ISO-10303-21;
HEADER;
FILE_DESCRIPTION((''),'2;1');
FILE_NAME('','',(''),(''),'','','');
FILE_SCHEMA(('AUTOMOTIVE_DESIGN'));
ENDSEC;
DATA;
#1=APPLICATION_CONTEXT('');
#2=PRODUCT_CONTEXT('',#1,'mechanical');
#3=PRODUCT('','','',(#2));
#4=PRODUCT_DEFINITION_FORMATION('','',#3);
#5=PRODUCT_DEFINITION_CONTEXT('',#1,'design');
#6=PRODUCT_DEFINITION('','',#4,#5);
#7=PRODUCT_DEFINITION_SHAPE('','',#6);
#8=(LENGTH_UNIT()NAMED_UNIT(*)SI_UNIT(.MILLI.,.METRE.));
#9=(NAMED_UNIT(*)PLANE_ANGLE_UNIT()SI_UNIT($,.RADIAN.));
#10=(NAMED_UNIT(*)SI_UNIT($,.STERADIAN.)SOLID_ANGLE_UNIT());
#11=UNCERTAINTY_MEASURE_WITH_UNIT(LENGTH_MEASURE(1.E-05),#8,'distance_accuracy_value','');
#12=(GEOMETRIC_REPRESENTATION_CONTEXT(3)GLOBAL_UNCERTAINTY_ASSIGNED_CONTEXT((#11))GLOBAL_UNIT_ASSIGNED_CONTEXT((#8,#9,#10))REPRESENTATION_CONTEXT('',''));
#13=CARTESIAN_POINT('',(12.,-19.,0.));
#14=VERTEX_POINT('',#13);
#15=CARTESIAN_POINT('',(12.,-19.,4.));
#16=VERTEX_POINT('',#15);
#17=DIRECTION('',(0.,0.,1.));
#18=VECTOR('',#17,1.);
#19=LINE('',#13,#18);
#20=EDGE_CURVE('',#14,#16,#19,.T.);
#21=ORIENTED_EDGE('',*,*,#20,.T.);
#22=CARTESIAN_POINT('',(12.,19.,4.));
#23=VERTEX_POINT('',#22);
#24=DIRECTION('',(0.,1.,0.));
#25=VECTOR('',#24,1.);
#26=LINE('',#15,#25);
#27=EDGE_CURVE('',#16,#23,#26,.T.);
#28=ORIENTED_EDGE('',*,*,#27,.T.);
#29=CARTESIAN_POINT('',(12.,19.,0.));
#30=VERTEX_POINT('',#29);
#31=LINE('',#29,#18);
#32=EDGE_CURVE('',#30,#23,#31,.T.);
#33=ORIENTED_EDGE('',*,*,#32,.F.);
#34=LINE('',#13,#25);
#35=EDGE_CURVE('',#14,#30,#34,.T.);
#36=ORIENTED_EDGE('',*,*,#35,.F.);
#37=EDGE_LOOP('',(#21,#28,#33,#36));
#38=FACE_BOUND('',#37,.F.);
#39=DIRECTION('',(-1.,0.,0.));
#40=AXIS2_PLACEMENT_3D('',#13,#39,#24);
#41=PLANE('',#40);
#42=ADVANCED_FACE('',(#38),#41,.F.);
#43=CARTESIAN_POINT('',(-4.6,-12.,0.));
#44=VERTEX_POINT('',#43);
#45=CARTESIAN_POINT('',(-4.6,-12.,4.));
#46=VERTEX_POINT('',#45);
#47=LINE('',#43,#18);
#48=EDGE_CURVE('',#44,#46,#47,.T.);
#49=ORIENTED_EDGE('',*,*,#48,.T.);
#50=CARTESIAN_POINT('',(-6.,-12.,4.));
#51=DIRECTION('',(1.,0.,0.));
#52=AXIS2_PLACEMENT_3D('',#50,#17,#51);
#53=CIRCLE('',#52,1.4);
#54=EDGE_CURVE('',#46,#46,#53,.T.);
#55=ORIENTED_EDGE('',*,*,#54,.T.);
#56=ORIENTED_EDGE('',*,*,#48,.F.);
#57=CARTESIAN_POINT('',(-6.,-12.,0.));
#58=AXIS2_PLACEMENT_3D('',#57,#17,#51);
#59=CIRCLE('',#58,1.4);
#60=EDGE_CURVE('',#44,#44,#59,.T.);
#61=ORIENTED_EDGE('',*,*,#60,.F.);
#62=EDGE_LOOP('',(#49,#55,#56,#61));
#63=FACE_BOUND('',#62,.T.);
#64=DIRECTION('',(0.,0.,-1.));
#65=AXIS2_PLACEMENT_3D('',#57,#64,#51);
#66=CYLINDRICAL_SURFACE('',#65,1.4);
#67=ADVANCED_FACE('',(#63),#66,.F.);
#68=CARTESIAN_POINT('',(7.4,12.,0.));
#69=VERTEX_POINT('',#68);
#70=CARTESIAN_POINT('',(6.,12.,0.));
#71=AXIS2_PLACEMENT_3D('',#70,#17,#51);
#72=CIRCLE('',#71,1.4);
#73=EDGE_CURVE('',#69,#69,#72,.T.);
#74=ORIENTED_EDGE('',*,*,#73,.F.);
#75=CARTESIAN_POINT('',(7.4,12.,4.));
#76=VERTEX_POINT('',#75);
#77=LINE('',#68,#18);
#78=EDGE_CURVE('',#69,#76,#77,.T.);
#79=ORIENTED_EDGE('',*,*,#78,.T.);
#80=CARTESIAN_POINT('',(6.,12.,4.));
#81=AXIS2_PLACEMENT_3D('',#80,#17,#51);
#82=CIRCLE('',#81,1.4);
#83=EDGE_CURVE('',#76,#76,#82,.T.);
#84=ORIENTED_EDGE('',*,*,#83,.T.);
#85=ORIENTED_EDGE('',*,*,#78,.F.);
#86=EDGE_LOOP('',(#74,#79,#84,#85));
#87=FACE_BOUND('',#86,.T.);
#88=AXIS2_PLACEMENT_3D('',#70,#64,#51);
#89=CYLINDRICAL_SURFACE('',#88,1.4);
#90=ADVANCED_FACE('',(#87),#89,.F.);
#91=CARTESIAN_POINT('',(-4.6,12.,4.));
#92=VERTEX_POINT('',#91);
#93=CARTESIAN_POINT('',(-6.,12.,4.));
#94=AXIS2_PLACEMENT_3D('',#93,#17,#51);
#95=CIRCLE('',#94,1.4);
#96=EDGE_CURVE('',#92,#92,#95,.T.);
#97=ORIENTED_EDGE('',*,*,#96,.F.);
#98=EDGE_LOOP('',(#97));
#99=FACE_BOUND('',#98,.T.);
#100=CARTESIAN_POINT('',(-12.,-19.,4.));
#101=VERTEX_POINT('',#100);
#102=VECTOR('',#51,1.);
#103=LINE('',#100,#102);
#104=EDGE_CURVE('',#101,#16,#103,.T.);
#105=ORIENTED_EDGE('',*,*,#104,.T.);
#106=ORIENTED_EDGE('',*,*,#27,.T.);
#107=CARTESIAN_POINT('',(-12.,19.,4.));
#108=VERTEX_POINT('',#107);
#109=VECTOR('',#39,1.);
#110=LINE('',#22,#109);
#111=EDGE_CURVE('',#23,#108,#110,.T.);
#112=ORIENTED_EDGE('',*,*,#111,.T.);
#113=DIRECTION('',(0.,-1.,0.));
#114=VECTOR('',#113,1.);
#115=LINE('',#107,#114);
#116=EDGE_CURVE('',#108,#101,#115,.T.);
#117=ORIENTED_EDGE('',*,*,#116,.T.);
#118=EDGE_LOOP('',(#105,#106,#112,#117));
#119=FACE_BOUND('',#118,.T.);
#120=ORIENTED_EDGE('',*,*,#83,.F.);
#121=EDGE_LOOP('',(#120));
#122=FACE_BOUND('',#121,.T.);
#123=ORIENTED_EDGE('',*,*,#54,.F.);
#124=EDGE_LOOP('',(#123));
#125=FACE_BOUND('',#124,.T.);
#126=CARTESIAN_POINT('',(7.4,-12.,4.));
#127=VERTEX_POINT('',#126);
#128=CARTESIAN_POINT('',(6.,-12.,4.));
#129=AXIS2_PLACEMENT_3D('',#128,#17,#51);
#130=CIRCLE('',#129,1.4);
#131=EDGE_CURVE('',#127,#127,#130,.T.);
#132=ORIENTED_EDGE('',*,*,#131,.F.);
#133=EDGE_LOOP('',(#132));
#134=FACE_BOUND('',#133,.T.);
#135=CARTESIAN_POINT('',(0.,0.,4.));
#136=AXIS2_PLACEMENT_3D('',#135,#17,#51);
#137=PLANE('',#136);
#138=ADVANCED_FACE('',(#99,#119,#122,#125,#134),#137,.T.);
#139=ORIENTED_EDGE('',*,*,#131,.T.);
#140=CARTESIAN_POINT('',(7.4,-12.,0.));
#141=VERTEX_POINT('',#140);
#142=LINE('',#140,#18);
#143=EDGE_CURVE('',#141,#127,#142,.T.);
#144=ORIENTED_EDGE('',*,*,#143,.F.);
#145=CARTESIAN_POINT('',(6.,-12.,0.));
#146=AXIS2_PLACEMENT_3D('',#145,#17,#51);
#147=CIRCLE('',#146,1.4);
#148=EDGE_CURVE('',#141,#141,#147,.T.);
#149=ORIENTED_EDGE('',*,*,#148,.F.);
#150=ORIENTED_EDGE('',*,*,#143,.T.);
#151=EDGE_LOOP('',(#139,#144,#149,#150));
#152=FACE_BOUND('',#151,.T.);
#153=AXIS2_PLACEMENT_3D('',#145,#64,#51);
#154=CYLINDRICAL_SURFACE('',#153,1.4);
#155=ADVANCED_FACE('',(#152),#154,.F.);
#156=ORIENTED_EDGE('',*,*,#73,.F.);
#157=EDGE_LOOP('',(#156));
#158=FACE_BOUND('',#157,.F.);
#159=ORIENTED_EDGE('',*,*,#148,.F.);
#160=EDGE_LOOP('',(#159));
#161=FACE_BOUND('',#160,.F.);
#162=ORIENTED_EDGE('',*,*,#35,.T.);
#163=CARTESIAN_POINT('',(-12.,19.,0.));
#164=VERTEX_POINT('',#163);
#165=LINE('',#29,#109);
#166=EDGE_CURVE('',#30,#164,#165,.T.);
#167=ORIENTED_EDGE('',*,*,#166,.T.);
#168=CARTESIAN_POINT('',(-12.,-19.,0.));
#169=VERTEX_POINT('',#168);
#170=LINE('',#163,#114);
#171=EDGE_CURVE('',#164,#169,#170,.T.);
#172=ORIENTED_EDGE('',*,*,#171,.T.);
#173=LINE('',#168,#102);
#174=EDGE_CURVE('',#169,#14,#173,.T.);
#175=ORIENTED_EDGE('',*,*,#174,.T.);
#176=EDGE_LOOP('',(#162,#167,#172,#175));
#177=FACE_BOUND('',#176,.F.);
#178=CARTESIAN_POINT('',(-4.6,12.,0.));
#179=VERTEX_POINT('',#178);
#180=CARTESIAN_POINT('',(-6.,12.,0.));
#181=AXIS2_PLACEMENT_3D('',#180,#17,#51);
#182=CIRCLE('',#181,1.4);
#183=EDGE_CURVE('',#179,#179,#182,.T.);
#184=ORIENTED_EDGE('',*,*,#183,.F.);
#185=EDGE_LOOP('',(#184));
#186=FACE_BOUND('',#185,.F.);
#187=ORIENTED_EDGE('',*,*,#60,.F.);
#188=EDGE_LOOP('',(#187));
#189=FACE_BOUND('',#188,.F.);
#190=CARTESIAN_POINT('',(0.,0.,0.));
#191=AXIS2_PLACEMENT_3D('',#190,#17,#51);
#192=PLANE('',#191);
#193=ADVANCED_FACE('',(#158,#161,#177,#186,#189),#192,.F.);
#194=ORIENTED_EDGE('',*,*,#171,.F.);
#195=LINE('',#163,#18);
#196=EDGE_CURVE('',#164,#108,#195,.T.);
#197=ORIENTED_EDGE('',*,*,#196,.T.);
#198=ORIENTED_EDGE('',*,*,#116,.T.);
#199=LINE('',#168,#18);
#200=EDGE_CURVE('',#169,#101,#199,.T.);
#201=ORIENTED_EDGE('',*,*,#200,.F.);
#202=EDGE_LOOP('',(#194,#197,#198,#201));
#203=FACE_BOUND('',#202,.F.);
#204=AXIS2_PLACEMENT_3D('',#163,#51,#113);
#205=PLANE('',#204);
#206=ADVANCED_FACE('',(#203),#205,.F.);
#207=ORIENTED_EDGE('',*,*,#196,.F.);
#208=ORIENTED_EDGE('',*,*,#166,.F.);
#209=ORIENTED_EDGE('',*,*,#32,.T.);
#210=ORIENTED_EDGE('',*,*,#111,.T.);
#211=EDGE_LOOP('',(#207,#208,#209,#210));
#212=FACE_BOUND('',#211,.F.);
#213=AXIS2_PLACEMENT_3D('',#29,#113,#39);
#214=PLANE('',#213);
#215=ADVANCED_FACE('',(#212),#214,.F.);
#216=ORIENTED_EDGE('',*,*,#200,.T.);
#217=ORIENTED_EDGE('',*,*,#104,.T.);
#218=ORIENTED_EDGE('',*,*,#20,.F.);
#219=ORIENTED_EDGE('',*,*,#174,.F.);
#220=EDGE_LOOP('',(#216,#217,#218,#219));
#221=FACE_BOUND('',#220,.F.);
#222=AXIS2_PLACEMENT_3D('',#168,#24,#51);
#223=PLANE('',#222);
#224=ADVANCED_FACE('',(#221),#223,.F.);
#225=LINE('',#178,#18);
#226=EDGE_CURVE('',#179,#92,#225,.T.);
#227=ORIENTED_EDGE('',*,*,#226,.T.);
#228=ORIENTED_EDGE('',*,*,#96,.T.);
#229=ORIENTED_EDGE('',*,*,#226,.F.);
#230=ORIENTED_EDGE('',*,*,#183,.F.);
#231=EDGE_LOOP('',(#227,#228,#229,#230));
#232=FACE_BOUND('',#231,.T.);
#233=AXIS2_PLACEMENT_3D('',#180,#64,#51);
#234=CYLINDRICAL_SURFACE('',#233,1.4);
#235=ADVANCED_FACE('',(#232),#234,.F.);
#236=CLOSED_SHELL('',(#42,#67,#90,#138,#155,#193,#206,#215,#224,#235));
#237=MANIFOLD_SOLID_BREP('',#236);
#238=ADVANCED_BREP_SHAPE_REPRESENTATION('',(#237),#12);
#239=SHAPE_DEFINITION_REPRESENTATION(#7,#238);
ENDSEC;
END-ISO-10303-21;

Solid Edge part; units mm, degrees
sketch "Sketch1" plane through (0, 0, 0) normal (0, 0, 1) x (1, 0, 0)
  line L0 (-12, -19) -> (12, -19)
  line L1 (12, -19) -> (12, 19)
  line L2 (12, 19) -> (-12, 19)
  line L3 (-12, 19) -> (-12, -19)
  circle A0 centre (-6, -12) radius 1.4
  circle A1 centre (-6, 12) radius 1.4
  circle A2 centre (6, -12) radius 1.4
  circle A3 centre (6, 12) radius 1.4
extrude "Protrusion1" add sketch "Sketch1" along normal blind 4
